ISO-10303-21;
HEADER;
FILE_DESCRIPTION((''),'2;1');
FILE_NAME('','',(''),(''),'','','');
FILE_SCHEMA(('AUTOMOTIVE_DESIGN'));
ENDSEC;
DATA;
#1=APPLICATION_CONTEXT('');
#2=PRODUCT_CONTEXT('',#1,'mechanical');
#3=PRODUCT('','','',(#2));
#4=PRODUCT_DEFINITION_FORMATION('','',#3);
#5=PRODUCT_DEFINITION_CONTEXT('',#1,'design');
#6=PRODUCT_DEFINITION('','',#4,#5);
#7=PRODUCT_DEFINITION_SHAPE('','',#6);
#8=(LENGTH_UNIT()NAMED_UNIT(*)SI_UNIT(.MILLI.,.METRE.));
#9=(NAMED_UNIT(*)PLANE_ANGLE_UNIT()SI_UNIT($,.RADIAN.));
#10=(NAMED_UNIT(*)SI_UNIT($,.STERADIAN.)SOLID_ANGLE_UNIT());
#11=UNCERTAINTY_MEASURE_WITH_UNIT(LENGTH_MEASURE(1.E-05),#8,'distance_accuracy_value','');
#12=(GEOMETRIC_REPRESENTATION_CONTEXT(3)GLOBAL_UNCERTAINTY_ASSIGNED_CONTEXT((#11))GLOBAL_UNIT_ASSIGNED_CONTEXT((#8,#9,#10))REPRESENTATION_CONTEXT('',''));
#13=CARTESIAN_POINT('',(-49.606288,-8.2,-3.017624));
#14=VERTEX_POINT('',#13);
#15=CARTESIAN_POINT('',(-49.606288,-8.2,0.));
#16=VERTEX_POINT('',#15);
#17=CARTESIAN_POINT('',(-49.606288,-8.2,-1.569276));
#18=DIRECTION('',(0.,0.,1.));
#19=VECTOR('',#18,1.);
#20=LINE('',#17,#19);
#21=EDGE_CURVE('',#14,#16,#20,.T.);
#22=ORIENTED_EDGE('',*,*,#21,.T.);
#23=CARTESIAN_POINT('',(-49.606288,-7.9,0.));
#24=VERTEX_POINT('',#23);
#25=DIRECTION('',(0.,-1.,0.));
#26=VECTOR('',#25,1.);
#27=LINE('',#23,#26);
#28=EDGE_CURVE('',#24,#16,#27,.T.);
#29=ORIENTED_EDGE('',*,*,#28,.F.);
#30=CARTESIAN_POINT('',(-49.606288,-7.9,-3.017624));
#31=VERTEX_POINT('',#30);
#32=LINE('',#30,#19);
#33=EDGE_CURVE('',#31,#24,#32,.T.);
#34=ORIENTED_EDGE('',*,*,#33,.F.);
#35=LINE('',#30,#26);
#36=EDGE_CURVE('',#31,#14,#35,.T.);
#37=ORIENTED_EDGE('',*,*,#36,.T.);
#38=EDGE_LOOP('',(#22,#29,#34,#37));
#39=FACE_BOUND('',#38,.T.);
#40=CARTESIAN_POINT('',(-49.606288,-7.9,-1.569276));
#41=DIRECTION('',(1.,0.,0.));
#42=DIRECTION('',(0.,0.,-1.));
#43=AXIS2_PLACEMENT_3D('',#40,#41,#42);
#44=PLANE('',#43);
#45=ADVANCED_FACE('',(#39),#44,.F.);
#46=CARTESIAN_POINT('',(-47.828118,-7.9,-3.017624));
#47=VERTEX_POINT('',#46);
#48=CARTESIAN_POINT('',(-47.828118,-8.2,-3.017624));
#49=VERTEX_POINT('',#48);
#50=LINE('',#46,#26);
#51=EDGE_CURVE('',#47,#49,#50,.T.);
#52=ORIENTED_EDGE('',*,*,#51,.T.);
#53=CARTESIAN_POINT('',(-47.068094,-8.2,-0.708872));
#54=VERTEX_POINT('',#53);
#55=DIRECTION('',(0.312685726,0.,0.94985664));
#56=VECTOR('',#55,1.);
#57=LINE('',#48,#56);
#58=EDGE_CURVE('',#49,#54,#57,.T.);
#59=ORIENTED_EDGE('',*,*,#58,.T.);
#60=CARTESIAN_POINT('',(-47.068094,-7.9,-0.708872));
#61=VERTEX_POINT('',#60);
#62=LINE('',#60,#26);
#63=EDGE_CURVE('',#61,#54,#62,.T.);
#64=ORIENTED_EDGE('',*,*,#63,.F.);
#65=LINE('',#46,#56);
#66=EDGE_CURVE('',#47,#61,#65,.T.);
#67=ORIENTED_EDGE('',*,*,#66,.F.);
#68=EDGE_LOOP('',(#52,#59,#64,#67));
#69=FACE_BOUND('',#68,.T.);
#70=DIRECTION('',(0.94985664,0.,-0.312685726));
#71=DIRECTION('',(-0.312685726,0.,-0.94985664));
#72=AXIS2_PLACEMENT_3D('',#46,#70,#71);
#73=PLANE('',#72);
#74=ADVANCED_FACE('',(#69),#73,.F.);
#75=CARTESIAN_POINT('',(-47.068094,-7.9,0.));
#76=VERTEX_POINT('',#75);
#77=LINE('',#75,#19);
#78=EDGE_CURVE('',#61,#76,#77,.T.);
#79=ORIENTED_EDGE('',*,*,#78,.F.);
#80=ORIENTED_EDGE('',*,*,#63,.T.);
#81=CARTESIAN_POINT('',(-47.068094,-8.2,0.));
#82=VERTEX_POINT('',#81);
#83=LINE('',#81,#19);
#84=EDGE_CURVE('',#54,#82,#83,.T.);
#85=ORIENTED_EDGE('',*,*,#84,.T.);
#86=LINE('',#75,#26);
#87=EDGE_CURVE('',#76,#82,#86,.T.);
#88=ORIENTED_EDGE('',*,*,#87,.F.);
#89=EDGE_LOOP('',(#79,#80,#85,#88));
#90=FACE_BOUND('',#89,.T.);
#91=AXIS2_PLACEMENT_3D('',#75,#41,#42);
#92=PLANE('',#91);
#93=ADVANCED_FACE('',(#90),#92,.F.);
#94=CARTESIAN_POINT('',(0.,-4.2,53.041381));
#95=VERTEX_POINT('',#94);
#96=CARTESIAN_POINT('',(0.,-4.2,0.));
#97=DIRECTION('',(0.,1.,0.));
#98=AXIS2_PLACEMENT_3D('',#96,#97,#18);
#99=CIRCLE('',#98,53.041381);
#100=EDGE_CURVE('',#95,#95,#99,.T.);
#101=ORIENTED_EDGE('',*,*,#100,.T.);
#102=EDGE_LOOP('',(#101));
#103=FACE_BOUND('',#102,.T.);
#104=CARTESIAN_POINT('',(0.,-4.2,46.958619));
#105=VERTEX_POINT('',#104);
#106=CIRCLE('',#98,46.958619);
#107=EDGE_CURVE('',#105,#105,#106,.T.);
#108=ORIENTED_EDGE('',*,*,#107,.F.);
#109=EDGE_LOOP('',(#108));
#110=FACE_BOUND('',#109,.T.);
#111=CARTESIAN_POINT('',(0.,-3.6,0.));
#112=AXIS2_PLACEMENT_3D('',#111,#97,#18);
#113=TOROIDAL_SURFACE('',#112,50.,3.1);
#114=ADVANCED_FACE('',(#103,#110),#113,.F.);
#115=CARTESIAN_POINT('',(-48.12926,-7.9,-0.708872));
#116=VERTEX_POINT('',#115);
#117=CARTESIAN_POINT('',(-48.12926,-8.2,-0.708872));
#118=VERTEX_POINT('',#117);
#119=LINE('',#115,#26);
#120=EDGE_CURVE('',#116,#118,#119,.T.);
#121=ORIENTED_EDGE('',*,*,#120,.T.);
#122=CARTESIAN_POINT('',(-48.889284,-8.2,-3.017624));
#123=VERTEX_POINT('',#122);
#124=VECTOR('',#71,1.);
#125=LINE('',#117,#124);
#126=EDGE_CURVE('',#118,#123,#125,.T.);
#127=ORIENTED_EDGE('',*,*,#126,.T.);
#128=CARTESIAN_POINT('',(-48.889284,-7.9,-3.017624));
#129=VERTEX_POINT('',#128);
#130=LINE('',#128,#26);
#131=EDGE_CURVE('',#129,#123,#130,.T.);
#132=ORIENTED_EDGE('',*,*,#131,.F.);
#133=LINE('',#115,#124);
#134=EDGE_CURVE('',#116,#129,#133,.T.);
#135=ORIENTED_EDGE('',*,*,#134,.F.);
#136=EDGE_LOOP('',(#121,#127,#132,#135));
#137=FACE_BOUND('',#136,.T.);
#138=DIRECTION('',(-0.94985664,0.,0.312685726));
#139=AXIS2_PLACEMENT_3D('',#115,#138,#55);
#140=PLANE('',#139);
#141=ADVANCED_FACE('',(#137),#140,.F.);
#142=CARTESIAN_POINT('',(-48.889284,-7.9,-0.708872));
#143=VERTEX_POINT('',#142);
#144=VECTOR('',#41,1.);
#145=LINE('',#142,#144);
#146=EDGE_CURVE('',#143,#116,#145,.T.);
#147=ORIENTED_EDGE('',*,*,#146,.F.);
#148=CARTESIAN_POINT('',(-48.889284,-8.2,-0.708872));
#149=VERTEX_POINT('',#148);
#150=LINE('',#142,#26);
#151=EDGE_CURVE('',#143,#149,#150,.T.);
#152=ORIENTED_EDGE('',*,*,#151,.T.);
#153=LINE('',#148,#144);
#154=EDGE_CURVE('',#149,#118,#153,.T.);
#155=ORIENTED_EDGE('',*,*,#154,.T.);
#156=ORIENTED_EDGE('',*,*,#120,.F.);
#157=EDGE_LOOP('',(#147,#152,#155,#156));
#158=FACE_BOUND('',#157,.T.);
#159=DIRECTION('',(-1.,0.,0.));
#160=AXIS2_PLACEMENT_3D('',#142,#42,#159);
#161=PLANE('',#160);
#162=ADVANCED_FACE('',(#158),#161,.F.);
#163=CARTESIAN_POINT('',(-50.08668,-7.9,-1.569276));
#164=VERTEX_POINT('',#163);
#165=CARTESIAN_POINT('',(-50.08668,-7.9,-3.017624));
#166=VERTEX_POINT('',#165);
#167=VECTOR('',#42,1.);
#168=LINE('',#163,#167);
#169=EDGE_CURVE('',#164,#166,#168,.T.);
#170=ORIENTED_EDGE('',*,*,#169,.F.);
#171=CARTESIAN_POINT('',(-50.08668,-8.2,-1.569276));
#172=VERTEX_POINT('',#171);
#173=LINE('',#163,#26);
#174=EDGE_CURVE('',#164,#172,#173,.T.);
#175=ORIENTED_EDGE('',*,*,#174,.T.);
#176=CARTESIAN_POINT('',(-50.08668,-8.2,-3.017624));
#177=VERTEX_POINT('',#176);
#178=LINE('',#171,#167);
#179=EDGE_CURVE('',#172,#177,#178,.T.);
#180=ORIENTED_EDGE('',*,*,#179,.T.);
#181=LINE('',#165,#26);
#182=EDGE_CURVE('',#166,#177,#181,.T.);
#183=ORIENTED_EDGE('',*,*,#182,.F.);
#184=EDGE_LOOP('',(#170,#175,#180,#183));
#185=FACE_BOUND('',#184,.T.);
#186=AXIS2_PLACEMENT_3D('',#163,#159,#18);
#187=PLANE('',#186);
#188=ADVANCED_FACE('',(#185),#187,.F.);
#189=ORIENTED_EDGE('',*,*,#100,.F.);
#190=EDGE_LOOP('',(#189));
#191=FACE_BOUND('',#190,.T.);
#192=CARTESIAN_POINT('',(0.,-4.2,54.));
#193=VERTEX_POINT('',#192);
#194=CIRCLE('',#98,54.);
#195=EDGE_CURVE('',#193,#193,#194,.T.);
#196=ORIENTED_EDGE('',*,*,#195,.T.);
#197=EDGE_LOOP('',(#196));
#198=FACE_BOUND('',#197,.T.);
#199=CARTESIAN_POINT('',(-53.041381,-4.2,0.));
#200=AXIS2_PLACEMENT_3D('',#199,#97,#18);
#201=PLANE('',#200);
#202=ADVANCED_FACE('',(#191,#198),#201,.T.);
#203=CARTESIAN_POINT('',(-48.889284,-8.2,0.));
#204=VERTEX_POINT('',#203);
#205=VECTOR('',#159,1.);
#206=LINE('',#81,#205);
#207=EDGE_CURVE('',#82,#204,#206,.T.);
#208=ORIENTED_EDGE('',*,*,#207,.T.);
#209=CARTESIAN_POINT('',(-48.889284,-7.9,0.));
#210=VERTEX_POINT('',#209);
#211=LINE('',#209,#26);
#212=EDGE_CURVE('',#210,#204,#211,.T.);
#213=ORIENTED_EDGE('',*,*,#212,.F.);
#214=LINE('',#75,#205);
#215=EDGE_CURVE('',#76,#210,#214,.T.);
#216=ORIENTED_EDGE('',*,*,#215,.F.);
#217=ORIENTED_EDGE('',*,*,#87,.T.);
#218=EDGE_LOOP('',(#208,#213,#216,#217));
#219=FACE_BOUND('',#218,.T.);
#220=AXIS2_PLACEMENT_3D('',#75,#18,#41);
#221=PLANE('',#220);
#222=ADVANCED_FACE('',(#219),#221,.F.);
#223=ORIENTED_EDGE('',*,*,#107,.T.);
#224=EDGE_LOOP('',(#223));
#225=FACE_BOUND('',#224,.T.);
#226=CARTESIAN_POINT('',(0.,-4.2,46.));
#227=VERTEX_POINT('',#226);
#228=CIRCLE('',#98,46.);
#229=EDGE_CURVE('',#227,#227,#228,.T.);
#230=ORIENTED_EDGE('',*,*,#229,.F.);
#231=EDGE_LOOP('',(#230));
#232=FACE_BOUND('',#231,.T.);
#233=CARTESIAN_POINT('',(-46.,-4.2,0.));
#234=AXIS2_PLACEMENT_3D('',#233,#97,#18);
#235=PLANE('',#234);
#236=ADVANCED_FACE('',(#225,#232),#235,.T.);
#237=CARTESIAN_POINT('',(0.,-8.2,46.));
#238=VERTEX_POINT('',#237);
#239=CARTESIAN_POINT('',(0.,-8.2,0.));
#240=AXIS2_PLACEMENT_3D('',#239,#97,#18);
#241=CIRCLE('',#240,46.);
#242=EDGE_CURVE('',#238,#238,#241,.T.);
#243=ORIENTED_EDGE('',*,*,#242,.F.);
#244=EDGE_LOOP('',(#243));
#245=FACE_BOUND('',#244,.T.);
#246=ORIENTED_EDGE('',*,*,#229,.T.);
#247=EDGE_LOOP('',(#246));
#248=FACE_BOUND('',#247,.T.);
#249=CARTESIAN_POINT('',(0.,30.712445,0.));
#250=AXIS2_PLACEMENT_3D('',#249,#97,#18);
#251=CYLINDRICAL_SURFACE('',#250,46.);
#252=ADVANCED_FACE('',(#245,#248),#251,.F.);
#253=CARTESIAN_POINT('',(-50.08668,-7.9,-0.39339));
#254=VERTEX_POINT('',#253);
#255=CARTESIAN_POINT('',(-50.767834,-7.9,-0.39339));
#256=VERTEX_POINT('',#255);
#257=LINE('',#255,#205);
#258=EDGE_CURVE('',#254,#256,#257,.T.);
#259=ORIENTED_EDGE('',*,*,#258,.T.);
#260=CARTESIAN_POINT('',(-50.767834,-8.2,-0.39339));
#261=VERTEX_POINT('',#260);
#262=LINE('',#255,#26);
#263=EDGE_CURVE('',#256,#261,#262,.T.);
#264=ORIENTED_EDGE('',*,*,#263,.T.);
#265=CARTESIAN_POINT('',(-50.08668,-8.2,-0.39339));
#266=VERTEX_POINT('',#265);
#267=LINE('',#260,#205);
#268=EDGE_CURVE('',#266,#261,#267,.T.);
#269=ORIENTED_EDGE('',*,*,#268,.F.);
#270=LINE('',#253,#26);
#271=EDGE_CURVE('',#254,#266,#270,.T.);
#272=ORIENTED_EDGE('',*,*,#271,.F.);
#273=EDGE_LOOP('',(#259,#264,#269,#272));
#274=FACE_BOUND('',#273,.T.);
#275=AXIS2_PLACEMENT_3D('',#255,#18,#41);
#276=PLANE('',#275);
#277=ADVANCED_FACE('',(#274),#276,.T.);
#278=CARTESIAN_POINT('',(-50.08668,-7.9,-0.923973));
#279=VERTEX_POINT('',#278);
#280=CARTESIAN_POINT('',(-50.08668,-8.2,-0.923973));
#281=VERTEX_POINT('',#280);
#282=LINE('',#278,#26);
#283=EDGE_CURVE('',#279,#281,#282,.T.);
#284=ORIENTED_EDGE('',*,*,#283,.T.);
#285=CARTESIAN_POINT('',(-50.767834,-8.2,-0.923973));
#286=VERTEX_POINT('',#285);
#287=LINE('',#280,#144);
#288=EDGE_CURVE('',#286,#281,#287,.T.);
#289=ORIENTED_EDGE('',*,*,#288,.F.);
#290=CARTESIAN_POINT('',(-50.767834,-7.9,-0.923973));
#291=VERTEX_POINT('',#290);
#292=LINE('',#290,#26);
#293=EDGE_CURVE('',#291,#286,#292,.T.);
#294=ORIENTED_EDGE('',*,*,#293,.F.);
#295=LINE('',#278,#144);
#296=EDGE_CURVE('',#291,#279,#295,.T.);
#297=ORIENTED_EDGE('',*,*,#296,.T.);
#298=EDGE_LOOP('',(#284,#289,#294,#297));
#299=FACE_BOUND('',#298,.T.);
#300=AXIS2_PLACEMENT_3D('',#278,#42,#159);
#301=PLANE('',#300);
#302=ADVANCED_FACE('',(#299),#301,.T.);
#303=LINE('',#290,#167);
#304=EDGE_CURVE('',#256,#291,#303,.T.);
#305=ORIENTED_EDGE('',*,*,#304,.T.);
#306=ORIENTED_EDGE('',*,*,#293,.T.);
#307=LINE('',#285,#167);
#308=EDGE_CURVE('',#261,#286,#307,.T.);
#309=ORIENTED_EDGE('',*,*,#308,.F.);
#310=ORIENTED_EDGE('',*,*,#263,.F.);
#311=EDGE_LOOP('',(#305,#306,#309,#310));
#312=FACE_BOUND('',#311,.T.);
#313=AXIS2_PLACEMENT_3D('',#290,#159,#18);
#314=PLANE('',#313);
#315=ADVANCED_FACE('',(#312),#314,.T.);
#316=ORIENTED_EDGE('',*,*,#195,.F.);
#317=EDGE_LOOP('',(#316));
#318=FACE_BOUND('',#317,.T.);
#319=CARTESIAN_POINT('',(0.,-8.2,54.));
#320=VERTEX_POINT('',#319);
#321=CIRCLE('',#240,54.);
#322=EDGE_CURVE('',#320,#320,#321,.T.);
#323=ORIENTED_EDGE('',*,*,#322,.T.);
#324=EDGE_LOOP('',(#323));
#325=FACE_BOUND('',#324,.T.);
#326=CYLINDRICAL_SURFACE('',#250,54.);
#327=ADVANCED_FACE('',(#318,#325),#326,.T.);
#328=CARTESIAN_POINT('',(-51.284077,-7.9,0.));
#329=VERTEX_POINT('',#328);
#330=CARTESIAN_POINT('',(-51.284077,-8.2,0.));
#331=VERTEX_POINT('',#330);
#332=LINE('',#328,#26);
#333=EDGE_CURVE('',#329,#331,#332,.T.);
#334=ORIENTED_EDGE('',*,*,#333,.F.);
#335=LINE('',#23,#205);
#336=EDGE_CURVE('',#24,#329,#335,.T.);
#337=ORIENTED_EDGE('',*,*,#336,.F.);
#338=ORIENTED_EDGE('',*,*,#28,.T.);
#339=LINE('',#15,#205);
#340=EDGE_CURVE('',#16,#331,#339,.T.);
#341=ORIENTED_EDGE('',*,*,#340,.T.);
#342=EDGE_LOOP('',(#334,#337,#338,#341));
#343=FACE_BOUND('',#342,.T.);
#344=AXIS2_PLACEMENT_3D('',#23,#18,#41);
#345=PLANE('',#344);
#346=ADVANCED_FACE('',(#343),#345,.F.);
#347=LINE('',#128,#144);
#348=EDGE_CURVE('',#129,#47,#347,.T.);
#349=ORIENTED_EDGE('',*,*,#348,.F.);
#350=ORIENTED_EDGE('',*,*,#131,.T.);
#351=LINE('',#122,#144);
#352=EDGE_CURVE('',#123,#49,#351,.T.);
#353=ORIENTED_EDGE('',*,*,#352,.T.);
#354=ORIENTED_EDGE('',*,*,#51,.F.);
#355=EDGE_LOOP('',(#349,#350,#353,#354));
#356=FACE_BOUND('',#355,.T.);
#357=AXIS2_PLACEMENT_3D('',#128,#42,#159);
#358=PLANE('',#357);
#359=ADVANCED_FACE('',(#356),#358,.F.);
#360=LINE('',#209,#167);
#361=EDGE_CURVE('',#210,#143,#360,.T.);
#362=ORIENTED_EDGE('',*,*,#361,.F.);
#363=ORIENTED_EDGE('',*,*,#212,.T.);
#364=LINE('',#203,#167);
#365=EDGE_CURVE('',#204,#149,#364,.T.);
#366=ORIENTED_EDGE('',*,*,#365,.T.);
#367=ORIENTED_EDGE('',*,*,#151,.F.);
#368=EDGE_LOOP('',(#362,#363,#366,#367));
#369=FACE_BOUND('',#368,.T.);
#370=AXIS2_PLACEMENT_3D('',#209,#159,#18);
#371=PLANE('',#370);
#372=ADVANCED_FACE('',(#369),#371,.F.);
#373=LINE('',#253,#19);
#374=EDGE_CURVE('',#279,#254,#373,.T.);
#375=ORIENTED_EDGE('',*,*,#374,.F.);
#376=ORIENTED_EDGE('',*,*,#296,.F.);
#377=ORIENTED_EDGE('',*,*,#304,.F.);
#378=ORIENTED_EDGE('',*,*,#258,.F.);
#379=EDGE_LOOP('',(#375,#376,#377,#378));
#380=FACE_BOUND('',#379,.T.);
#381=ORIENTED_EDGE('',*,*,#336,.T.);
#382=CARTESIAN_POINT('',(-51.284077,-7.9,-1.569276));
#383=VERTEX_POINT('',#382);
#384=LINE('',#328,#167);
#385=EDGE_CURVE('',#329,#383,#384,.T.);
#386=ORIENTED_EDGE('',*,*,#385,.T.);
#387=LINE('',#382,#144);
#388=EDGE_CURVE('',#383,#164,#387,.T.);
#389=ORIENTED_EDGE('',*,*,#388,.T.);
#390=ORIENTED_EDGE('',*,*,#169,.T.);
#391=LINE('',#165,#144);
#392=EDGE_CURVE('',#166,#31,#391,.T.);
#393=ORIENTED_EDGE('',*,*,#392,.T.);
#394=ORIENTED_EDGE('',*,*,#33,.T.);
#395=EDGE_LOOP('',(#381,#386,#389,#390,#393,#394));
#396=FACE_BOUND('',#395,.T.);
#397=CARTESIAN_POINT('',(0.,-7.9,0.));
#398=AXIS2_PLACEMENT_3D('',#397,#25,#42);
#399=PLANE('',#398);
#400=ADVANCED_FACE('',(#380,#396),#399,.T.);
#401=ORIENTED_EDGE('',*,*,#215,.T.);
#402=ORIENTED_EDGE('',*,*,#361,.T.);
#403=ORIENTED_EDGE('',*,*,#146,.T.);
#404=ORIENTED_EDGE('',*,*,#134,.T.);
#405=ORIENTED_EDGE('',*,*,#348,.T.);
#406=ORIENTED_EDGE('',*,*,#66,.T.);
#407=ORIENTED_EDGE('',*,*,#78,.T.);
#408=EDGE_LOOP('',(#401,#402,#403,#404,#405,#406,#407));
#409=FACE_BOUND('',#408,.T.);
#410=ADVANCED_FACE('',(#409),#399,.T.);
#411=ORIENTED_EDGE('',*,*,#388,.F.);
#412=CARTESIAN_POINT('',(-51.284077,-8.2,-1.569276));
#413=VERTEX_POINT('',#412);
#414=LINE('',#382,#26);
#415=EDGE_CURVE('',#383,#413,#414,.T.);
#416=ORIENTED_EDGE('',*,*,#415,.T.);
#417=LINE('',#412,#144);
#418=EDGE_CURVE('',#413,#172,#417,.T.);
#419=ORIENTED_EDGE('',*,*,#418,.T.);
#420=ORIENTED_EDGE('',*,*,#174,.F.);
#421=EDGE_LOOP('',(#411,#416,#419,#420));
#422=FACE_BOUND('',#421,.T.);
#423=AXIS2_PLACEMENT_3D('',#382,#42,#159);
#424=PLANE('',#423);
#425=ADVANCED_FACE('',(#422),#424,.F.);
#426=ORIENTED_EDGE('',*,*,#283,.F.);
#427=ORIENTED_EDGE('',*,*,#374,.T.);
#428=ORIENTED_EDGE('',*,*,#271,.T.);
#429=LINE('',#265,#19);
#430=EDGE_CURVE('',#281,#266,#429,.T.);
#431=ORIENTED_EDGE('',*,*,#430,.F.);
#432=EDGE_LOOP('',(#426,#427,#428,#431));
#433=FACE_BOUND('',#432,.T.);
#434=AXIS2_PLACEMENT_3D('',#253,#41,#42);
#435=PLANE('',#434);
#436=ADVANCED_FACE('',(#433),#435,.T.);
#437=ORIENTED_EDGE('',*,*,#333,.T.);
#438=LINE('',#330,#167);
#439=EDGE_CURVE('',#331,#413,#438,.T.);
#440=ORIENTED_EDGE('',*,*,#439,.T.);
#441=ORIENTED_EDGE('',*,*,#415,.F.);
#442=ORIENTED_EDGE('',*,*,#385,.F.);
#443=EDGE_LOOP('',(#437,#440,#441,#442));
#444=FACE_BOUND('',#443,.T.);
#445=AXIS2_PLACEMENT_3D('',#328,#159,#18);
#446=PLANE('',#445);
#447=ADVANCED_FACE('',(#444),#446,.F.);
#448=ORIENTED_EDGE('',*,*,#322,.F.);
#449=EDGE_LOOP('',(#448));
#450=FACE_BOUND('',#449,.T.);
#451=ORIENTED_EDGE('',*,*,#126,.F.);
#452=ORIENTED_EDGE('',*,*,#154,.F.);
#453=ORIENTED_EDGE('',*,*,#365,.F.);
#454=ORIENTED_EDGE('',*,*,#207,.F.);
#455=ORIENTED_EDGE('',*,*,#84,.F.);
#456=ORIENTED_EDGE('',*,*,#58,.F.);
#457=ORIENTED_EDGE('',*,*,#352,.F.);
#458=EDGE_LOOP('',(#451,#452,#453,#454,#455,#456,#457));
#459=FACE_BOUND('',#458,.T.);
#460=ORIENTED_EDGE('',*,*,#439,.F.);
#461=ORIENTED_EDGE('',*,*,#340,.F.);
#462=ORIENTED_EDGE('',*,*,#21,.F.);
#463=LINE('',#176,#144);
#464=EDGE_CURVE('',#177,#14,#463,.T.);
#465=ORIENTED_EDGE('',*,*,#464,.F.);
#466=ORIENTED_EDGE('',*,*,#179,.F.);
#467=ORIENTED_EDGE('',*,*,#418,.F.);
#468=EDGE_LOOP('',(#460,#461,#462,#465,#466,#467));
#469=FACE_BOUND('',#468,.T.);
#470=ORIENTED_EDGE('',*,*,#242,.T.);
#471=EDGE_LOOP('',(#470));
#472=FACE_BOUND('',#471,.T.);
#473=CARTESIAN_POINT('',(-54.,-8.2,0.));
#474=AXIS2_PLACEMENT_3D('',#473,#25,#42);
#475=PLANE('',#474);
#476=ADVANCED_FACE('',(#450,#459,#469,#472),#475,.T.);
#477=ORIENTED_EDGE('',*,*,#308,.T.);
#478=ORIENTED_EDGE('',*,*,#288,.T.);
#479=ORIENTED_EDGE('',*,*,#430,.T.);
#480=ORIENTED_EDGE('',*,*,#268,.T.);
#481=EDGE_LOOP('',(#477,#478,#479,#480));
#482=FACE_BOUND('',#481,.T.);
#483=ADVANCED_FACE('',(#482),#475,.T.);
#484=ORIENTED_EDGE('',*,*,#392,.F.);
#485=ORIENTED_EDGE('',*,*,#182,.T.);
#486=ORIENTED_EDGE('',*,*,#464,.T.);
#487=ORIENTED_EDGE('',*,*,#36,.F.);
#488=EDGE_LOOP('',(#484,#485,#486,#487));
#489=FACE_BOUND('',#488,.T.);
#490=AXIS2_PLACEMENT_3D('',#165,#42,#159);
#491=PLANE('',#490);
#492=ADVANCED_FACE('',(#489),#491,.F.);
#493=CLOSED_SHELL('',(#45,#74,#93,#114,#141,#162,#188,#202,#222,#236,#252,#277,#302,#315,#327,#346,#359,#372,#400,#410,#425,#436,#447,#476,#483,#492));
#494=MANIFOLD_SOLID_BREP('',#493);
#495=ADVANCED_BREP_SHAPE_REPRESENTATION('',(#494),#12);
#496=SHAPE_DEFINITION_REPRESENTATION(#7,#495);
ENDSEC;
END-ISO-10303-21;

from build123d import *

# Parameters (mm, degrees)
SKETCH4_W          = 0.681153679
SKETCH4_H          = 0.530582866
CUT_EXTRUDE1_DEPTH = 0.3


with BuildPart() as part:
    # Sketch2 → Revolve2 (revolve)
    with BuildSketch(Plane.XY):
        with BuildLine():
            Line((-46, -4.2), (-46, -6.7))
            Line((-46, -6.7), (-46, -8.2))
            Line((-46, -8.2), (-54, -8.2))
            Line((-54, -8.2), (-54, -4.2))
            Line((-54, -4.2), (-53.041381265, -4.2))
            ThreePointArc((-53.041381265, -4.2), (-50, -6.7), (-46.958618735, -4.2))
            Line((-46.958618735, -4.2), (-46, -4.2))
        make_face()
    revolve(axis=Axis((0, 30.712444699, 0), (0, -1, 0)))

    # Sketch4 → Cut-Extrude1 (cut)
    with BuildSketch(Plane.XZ.offset(8.2)):
        Polygon((-49.606287717, 0), (-51.284076779, 0), (-51.284076779, -1.569276179), (-50.086680312, -1.569276179), (-50.086680312, -3.017624002), (-49.606287717, -3.017624002), (-49.606287717, -1.569276179), align=None)
        with Locations((-50.427257152, -0.658681261)):
            Rectangle(SKETCH4_W, SKETCH4_H, mode=Mode.SUBTRACT)
        Polygon((-47.068094007, 0), (-48.889283844, 0), (-48.889283844, -0.708871532), (-48.129259739, -0.708871532), (-48.889283844, -3.017624002), (-47.828118112, -3.017624002), (-47.068094007, -0.708871532), align=None)
    extrude(amount=-CUT_EXTRUDE1_DEPTH, mode=Mode.SUBTRACT)


solid = part.part
